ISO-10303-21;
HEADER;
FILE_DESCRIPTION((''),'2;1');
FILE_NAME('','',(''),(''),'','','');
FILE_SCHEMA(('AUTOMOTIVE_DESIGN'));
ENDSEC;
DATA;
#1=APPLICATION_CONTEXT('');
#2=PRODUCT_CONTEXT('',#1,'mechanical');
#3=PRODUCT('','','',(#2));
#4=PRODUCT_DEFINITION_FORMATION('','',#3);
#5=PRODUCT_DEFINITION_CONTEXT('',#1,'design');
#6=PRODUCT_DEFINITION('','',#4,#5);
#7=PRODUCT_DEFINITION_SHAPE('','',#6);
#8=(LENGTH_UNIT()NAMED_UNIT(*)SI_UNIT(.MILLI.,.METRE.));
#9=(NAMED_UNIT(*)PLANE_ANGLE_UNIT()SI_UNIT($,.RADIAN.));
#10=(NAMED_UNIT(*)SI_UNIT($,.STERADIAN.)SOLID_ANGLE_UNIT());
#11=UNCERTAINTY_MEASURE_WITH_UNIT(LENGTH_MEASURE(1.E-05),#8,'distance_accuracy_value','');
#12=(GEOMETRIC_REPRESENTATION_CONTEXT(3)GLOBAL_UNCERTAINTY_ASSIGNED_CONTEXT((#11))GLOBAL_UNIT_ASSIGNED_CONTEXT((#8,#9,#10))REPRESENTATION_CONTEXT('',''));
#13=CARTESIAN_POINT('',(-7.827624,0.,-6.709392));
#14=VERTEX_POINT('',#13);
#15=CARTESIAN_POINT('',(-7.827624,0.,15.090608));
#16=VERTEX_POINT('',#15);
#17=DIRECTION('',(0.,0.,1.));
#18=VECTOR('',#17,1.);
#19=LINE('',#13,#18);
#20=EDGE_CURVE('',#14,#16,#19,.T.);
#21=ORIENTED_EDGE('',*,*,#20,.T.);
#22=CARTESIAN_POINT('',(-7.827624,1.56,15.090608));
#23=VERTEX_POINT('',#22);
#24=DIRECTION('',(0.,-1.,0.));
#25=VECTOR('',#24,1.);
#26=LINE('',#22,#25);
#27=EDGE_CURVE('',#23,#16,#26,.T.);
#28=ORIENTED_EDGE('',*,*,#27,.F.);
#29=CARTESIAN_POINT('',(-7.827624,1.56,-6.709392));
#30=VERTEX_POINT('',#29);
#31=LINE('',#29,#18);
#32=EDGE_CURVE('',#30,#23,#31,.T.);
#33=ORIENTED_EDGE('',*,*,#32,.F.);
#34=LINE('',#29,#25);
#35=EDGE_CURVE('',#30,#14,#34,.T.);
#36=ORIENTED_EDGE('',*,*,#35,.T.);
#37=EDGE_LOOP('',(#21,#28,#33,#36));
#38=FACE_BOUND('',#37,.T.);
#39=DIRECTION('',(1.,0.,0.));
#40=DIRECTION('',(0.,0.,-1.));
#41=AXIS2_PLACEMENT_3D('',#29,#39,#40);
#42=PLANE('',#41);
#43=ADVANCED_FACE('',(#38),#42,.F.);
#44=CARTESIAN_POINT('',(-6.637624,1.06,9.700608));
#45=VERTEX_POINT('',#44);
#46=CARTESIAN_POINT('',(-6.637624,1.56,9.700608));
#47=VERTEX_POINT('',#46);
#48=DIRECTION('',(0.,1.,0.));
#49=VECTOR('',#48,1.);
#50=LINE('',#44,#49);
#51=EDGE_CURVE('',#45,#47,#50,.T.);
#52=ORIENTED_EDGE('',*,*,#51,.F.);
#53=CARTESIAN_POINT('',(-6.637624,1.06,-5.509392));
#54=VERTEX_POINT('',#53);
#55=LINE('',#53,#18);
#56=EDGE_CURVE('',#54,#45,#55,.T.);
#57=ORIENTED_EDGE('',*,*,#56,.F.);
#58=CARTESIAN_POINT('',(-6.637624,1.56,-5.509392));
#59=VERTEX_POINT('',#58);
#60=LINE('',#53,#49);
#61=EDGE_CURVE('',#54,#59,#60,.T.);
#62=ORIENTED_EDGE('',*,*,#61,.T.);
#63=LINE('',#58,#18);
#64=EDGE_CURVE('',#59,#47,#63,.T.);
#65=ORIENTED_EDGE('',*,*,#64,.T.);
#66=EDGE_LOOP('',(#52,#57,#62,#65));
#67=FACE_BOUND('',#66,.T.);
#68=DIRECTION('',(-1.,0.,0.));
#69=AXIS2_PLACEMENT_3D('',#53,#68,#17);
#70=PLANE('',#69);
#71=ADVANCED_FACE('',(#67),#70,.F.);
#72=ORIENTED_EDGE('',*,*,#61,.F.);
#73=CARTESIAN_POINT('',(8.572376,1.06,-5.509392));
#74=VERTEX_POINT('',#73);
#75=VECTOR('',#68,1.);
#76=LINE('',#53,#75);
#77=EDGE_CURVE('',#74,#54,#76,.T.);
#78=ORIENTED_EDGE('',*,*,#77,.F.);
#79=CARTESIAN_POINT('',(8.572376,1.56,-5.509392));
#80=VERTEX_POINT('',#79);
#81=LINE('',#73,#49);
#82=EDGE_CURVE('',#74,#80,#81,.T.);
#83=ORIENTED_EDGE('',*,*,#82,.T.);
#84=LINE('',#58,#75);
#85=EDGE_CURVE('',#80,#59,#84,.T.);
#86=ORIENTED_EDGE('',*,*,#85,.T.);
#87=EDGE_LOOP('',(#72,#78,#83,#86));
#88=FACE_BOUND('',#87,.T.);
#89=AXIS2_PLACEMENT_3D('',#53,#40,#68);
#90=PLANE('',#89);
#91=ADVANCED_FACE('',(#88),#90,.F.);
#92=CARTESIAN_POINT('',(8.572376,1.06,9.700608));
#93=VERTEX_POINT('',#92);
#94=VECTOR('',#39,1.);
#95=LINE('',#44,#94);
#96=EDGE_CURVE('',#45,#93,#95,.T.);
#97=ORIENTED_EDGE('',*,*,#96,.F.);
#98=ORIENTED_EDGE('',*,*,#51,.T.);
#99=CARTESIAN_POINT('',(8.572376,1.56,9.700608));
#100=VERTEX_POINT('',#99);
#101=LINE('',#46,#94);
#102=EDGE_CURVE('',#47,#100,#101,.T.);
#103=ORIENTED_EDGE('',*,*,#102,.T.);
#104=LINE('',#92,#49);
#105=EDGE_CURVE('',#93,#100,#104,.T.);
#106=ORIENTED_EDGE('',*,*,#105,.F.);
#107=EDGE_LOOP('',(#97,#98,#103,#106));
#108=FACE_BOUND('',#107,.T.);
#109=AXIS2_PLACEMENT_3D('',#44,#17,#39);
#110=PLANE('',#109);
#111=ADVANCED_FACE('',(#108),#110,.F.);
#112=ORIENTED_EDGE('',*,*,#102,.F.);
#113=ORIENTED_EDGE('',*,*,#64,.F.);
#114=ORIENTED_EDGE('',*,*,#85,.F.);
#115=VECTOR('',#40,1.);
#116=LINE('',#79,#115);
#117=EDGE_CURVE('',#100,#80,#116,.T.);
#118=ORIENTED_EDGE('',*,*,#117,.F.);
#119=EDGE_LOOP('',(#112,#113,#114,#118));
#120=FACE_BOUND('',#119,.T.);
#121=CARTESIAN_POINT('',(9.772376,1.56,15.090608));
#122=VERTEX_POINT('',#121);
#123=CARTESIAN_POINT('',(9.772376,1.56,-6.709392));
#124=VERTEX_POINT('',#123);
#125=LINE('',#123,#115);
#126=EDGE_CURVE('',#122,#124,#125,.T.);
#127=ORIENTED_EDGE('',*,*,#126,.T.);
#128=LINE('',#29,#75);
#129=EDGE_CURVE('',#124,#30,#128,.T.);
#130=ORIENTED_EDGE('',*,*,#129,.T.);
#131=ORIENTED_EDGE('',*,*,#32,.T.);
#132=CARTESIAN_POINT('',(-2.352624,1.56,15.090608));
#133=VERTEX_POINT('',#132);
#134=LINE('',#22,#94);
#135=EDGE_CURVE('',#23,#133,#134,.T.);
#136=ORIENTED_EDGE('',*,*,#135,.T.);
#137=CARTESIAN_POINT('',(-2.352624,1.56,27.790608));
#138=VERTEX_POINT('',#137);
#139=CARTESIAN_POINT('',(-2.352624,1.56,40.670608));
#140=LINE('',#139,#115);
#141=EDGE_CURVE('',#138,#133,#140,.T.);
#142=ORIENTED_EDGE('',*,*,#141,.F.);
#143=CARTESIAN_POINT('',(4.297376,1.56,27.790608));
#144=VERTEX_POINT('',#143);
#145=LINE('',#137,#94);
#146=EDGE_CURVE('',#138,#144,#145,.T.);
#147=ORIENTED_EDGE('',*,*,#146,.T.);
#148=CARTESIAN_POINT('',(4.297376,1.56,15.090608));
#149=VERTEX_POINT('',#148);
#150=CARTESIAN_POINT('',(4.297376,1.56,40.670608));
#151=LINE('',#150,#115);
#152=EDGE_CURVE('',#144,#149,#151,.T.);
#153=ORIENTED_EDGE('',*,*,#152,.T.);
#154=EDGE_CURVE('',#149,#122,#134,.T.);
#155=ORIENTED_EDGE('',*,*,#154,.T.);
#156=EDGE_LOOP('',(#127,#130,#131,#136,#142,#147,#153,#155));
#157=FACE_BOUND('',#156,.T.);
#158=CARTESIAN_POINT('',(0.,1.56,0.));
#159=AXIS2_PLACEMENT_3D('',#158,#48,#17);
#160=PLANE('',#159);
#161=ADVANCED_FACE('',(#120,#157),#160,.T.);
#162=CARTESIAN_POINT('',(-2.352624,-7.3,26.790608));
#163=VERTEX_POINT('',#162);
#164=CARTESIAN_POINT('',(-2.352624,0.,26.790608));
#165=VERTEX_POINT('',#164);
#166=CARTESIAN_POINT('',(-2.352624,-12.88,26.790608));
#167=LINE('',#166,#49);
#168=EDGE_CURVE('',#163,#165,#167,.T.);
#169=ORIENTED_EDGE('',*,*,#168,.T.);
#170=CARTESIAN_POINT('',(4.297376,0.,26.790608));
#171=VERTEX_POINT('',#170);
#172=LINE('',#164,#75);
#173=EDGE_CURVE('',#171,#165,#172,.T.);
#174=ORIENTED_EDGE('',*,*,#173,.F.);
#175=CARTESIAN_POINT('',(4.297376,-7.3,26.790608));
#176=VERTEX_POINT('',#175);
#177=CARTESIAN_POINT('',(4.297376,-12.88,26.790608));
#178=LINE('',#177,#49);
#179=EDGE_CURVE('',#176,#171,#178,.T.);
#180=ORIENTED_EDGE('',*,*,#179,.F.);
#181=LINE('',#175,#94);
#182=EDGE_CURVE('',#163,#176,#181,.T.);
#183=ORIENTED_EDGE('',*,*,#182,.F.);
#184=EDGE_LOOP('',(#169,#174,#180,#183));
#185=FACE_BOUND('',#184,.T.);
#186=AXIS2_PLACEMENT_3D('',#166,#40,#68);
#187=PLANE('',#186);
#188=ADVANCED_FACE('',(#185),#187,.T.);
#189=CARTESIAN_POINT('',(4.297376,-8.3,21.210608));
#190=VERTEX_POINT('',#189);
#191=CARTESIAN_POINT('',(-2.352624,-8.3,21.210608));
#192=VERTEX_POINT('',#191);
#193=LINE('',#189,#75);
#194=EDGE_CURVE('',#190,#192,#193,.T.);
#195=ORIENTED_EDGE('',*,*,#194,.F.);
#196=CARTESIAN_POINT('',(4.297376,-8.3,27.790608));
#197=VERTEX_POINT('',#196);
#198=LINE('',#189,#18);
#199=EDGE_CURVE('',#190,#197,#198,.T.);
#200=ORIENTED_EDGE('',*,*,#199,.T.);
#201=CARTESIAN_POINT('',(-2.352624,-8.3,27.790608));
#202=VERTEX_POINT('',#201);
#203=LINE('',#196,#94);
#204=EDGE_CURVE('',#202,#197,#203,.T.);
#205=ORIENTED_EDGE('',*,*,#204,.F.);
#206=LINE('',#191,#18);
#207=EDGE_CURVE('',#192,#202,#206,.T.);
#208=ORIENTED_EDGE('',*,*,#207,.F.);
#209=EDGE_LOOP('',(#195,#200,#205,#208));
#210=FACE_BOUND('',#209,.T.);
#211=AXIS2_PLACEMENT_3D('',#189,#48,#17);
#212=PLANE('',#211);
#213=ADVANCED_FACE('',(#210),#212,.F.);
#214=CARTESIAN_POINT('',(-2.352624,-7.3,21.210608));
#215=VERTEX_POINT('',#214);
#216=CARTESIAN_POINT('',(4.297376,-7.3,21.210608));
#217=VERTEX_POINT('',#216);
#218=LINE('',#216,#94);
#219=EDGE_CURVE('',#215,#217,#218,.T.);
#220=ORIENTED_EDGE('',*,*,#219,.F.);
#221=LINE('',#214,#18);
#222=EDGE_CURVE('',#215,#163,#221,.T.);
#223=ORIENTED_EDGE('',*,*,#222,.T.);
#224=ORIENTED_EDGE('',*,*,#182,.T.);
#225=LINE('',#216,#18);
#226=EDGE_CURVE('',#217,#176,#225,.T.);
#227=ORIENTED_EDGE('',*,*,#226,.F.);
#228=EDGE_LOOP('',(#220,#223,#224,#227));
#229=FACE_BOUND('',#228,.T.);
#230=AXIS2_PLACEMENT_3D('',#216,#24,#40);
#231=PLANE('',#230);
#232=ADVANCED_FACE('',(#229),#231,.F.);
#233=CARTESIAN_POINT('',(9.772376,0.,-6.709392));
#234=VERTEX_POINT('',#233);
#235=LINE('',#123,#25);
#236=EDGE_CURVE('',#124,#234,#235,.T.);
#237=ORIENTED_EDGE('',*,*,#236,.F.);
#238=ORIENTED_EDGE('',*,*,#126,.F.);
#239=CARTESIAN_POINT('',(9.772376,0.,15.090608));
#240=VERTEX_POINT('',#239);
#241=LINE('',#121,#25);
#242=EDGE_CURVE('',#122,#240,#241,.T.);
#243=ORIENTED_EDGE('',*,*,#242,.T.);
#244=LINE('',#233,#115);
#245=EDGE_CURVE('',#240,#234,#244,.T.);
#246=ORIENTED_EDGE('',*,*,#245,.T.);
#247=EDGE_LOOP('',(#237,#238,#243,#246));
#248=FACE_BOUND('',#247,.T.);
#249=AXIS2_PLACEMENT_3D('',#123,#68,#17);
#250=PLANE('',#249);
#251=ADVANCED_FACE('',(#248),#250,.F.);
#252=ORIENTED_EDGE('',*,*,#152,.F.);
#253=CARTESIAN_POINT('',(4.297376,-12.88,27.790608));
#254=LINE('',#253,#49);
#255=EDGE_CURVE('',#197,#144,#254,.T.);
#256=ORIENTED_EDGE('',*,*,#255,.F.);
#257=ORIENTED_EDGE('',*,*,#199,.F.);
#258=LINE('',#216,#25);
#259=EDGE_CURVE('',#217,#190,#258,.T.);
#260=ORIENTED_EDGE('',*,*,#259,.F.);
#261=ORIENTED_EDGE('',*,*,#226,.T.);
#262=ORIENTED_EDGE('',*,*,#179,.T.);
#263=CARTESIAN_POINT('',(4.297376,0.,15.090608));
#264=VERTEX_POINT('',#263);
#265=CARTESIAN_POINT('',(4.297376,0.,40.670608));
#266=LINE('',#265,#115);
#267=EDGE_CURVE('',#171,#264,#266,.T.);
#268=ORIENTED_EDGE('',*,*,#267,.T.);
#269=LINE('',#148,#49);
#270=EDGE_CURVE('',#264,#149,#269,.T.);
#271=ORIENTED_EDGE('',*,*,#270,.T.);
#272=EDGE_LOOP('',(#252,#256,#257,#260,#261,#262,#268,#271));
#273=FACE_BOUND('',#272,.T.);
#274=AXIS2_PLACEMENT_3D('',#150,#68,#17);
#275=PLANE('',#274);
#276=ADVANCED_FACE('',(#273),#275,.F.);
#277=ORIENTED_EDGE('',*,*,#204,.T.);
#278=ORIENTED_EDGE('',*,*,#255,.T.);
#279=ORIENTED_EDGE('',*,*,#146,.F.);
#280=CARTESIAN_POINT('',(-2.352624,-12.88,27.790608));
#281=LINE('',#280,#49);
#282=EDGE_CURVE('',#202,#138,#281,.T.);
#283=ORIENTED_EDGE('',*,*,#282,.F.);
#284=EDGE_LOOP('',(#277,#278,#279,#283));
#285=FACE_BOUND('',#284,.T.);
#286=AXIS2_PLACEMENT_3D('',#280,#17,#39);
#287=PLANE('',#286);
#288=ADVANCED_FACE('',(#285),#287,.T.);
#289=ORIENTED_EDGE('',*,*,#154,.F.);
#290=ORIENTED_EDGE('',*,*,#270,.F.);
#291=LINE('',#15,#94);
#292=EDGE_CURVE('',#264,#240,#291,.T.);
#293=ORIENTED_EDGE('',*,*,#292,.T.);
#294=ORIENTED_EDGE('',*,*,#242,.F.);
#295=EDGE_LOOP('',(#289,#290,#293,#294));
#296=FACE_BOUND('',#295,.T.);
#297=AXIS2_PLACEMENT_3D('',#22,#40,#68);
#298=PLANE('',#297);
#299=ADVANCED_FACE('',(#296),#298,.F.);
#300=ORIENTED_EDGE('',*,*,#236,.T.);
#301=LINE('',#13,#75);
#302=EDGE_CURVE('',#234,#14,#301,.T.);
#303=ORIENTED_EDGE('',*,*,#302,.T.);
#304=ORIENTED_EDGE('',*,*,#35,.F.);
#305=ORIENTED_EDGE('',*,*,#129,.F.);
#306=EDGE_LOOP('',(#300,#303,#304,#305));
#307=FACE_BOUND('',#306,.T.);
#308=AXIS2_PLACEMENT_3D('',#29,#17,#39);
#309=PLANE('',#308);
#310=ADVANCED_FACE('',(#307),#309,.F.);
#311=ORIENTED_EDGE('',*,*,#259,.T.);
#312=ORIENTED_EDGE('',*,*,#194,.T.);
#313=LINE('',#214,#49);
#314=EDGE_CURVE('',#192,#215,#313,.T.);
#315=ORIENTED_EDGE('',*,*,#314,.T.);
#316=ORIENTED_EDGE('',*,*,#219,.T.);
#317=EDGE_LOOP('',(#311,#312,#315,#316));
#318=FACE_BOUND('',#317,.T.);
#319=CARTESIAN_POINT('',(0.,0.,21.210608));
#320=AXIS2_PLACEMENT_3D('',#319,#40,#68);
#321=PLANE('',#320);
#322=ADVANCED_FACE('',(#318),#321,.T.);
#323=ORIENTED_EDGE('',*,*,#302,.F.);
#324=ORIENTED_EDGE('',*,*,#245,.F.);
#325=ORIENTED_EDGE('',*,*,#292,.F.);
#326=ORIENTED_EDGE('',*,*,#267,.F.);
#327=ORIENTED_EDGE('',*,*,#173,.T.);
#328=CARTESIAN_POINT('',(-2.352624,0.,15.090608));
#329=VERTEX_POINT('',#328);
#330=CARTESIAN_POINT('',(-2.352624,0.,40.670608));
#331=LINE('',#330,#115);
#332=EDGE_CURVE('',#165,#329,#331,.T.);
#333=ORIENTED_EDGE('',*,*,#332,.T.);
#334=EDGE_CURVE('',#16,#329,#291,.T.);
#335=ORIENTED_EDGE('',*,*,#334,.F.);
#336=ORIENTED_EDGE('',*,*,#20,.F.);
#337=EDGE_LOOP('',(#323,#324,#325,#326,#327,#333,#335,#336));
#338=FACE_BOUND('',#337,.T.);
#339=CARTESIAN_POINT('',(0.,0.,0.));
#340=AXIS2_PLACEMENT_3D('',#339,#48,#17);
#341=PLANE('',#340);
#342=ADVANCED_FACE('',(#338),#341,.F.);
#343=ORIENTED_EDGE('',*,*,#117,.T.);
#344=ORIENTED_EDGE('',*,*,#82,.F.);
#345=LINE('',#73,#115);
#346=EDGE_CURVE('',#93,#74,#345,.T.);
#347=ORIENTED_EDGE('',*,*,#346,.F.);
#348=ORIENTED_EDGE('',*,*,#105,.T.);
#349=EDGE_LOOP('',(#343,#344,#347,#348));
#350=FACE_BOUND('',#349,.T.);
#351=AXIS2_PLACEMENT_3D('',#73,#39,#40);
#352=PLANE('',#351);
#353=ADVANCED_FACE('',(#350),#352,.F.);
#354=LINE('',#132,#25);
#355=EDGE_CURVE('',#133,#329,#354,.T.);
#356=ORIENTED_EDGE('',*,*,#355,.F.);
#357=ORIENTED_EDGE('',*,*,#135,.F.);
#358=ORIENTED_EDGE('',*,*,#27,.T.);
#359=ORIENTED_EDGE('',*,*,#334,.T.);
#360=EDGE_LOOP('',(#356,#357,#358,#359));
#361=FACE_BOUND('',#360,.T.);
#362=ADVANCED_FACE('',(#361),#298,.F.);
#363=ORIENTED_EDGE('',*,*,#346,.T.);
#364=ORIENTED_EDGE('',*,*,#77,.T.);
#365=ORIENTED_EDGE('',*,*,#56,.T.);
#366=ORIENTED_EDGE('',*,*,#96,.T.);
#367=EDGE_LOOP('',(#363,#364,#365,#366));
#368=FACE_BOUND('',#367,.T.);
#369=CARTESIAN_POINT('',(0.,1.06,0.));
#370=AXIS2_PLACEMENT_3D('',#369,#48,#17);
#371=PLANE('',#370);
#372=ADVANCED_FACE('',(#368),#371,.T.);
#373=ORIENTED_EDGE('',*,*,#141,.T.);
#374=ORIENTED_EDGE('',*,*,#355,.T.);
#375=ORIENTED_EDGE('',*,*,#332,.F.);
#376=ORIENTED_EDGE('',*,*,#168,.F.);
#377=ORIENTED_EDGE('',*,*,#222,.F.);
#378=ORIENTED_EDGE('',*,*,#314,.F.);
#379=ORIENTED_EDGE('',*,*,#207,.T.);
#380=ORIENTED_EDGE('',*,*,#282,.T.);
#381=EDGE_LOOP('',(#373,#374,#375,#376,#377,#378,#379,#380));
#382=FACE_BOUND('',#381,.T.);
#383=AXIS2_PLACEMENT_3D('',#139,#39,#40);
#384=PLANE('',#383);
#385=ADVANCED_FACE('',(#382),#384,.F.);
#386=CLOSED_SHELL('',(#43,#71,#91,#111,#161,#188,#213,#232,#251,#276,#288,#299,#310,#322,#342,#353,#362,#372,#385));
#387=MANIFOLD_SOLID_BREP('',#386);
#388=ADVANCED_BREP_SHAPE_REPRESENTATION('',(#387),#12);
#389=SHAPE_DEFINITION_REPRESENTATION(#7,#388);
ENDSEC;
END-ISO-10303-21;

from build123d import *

# Parameters (mm, degrees)
SKETCH_1_W          = 17.6
SKETCH_1_H          = 21.8
EXTRUDE_1_DEPTH     = 1.56
SKETCH_2_W          = 15.21
SKETCH_2_H          = 15.21
CUT_EXTRUDE_1_DEPTH = 0.5
SKETCH_3_W          = 6.65
SKETCH_3_H          = 1.56
EXTRUDE_2_DEPTH     = 25.58
SKETCH_4_W          = 6.65
SKETCH_4_H          = 1
EXTRUDE_3_DEPTH     = 12.88
SKETCH_5_W          = 6.65
SKETCH_5_H          = 1
EXTRUDE_4_DEPTH     = 5.58
CUT_EXTRUDE_2_REACH = 45.766
SKETCH_6_W          = 6.65
SKETCH_6_H          = 12.88
CUT_EXTRUDE_3_REACH = 39.197
SKETCH_7_W          = 6.65
SKETCH_7_H          = 4.58


with BuildPart() as part:
    # 草图1 → 凸台-拉伸1 (new body)
    with BuildSketch(Plane(origin=(0, 0, 0), x_dir=(1, 0, 0), z_dir=(0, 1, 0))):
        with Locations((0.972375691, -4.190607735)):
            Rectangle(SKETCH_1_W, SKETCH_1_H)
    extrude(amount=EXTRUDE_1_DEPTH)

    # 草图2 → 切除-拉伸1 (cut)
    with BuildSketch(Plane(origin=(0, 1.56, 0), x_dir=(1, 0, 0), z_dir=(0, 1, 0))):
        with Locations((0.967375691, -2.095607735)):
            Rectangle(SKETCH_2_W, SKETCH_2_H)
    extrude(amount=-CUT_EXTRUDE_1_DEPTH, mode=Mode.SUBTRACT)

    # 草图3 → 凸台-拉伸2 (add)
    with BuildSketch(Plane.XY.offset(15.090607735)):
        with Locations((0.972375691, 0.78)):
            Rectangle(SKETCH_3_W, SKETCH_3_H)
    extrude(amount=EXTRUDE_2_DEPTH)

    # 草图4 → 凸台-拉伸3 (add)
    with BuildSketch(Plane(origin=(0, 0, 0), x_dir=(1, 0, 0), z_dir=(0, 1, 0))):
        with Locations((0.972375691, -27.290607735)):
            Rectangle(SKETCH_4_W, SKETCH_4_H)
    extrude(amount=-EXTRUDE_3_DEPTH)

    # 草图5 → 凸台-拉伸4 (add)
    with BuildSketch(Plane(origin=(0, 0, 26.790607735), x_dir=(-1, 0, 0), z_dir=(0, 0, -1))):
        with Locations((-0.972375691, -7.8)):
            Rectangle(SKETCH_5_W, SKETCH_5_H)
    extrude(amount=EXTRUDE_4_DEPTH)

    # 草图6 → 切除-拉伸2 (cut, up to next)
    with BuildSketch(Plane.XZ, mode=Mode.PRIVATE) as cut_extrude_2_sk1:
        with Locations((0.972375691, 34.230607735)):
            Rectangle(SKETCH_6_W, SKETCH_6_H)
    cut_extrude_2_tool1 = extrude(cut_extrude_2_sk1.sketch, amount=-CUT_EXTRUDE_2_REACH, mode=Mode.PRIVATE) & part.part
    add(cut_extrude_2_tool1.solids().sort_by_distance((0.972376, 0, 34.230608))[0], mode=Mode.SUBTRACT)

    # 草图7 → 切除-拉伸3 (cut, up to next)
    with BuildSketch(Plane(origin=(0, 0, 26.790607735), x_dir=(-1, 0, 0), z_dir=(0, 0, -1)), mode=Mode.PRIVATE) as cut_extrude_3_sk1:
        with Locations((-0.972375691, -10.59)):
            Rectangle(SKETCH_7_W, SKETCH_7_H)
    cut_extrude_3_tool1 = extrude(cut_extrude_3_sk1.sketch, amount=-CUT_EXTRUDE_3_REACH, mode=Mode.PRIVATE) & part.part
    add(cut_extrude_3_tool1.solids().sort_by_distance((0.972376, -10.59, 26.790608))[0], mode=Mode.SUBTRACT)


solid = part.part
